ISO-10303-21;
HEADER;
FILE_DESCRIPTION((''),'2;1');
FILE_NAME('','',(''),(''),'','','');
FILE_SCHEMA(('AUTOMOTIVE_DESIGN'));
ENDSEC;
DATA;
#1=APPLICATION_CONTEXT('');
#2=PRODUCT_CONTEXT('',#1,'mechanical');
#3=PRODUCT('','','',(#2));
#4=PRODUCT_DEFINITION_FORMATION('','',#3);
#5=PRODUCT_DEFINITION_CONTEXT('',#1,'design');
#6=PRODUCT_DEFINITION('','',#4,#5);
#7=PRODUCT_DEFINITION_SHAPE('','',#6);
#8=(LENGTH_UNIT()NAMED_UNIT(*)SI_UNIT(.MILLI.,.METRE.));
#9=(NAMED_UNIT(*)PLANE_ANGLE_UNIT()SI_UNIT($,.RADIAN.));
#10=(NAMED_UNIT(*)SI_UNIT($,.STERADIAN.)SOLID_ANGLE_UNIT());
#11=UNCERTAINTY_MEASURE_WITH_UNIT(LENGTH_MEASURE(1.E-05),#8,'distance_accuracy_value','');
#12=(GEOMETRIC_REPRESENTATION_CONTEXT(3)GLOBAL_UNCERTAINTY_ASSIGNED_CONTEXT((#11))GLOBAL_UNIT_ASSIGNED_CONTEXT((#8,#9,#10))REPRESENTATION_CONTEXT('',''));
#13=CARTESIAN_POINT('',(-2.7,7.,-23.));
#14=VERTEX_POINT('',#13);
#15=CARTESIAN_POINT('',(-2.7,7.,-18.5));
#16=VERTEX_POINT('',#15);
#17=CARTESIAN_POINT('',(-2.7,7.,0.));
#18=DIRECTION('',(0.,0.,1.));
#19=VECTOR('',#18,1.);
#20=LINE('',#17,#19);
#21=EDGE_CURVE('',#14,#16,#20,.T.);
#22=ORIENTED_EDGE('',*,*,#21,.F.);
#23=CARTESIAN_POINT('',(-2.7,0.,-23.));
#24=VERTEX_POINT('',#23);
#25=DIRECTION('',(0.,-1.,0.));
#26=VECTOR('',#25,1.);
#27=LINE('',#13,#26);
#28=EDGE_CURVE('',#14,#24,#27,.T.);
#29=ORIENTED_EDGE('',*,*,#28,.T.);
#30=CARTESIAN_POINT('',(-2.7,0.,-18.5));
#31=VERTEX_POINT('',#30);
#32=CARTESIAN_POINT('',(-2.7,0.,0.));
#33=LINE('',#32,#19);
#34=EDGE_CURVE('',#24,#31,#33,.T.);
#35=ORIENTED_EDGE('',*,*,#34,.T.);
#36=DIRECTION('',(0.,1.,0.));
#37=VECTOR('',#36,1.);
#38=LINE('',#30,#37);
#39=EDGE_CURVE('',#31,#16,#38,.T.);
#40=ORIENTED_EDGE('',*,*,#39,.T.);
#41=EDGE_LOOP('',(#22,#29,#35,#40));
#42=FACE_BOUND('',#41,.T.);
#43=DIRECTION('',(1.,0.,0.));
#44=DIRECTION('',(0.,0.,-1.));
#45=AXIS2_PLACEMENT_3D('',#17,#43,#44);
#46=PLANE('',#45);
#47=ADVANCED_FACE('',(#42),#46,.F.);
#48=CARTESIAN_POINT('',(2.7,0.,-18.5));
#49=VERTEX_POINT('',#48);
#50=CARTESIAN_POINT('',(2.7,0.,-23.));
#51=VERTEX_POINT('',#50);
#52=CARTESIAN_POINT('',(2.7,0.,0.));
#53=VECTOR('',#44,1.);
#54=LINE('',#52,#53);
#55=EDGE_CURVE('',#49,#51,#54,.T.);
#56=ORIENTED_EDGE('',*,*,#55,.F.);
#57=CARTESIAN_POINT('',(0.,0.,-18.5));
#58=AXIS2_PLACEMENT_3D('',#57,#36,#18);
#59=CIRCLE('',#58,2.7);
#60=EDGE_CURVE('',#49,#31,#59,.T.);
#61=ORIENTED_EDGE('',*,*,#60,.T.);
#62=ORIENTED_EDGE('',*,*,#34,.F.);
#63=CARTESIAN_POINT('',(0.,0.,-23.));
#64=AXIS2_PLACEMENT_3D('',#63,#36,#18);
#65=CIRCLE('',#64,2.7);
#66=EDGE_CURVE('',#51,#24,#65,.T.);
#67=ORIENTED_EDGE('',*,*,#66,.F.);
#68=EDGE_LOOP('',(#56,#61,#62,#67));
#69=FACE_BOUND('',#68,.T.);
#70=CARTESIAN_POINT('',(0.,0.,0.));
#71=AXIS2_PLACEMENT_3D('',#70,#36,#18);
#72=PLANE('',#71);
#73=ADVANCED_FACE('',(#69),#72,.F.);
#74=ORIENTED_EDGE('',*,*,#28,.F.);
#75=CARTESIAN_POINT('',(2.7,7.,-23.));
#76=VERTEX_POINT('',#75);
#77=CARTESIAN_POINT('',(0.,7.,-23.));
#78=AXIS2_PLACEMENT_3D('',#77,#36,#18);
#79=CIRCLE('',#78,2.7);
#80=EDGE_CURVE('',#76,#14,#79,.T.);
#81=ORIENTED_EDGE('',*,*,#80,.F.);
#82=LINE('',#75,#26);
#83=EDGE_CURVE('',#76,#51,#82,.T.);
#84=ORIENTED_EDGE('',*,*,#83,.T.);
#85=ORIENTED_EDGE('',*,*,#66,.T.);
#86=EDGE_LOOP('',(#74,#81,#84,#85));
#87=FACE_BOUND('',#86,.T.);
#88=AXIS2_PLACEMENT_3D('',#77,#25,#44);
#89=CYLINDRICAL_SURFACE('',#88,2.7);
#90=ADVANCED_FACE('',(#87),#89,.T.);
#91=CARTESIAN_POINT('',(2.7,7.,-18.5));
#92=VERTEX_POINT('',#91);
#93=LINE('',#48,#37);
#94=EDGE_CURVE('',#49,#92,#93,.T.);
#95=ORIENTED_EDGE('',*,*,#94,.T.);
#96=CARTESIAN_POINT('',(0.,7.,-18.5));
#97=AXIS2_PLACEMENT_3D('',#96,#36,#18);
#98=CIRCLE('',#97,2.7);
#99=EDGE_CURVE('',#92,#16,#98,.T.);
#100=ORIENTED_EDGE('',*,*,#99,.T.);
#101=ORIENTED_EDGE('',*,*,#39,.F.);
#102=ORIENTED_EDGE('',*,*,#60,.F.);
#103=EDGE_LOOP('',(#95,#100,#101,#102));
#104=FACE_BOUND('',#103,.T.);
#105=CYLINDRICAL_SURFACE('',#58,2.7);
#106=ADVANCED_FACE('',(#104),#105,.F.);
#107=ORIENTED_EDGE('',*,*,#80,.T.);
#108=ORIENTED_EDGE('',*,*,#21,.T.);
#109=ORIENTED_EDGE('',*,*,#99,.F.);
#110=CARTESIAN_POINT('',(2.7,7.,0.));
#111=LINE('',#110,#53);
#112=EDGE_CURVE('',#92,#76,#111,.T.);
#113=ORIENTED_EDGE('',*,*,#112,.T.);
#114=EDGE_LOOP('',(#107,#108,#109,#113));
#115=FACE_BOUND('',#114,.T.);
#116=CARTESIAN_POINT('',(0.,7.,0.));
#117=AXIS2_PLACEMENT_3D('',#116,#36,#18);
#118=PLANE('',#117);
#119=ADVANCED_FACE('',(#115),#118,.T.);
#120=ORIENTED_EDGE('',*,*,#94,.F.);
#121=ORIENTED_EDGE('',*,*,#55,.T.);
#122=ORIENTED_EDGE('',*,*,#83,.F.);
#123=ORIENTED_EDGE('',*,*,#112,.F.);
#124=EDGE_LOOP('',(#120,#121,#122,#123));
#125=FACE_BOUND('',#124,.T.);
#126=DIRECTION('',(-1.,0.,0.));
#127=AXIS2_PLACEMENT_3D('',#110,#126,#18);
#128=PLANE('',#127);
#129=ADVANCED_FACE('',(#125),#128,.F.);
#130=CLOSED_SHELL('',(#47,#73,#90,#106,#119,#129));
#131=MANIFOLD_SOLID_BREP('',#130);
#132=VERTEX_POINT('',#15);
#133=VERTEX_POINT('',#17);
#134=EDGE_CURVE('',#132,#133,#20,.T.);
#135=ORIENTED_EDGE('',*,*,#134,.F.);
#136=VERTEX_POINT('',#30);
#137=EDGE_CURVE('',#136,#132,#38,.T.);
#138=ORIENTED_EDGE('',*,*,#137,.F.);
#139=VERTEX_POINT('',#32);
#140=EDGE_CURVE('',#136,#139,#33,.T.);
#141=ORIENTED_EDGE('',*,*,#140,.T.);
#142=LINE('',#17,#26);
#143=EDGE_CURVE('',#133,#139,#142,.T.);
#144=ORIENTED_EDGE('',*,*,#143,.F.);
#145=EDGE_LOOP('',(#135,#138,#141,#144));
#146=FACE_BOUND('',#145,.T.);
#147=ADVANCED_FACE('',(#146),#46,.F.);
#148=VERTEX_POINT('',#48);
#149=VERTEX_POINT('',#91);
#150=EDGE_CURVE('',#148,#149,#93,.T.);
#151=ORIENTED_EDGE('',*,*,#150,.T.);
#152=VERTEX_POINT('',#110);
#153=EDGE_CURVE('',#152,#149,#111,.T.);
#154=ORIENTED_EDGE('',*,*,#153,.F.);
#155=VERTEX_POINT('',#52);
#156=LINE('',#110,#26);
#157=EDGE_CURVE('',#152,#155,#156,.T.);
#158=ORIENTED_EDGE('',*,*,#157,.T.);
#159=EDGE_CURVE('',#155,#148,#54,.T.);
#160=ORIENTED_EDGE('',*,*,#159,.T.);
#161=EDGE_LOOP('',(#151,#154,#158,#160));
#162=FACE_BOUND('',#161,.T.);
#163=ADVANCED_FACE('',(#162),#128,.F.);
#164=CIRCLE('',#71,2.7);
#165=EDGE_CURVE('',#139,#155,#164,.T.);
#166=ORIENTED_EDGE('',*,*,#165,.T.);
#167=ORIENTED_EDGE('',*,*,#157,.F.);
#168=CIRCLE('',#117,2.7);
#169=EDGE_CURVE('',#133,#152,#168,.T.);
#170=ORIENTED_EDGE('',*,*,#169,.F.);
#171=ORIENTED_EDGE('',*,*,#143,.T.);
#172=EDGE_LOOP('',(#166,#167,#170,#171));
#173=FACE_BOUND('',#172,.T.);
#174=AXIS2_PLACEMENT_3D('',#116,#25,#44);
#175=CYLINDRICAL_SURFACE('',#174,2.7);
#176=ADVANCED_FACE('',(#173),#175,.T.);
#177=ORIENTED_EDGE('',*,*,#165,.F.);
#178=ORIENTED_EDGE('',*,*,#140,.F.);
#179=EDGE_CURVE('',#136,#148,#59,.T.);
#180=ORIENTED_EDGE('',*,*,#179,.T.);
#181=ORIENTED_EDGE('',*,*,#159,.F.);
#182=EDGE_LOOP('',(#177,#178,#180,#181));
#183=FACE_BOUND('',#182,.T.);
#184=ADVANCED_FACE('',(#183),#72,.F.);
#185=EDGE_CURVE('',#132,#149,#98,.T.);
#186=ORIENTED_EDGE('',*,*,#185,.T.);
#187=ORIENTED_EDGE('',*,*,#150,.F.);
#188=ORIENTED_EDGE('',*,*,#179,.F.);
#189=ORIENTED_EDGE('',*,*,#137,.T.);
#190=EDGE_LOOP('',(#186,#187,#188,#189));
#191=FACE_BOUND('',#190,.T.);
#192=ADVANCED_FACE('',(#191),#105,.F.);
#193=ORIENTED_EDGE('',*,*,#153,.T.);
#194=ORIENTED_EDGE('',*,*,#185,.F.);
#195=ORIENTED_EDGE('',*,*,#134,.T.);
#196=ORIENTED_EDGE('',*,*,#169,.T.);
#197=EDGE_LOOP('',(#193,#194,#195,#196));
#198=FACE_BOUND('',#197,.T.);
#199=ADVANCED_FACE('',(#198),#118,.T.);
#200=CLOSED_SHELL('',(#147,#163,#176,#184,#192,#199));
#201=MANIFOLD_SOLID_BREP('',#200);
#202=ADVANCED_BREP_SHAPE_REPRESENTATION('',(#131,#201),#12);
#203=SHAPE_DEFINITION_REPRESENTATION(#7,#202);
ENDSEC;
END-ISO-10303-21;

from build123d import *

# Parameters (mm, degrees)
BOSS_EXTRUDE1_DEPTH = 7
SKETCH2_R           = 2.7
CUT_EXTRUDE1_DEPTH  = 7


with BuildPart() as part:
    # Sketch1 → Boss-Extrude1 (new body)
    with BuildSketch(Plane(origin=(0, 0, 0), x_dir=(1, 0, 0), z_dir=(0, 1, 0))):
        with BuildLine():
            Line((-2.7, 0), (-2.7, 23))
            ThreePointArc((-2.7, 23), (0, 25.7), (2.7, 23))
            Line((2.7, 23), (2.7, 0))
            ThreePointArc((2.7, 0), (0, -2.7), (-2.7, 0))
        make_face()
    extrude(amount=BOSS_EXTRUDE1_DEPTH)

    # Sketch2 → Cut-Extrude1 (cut)
    with BuildSketch(Plane(origin=(0, 7, 0), x_dir=(1, 0, 0), z_dir=(0, 1, 0))):
        with Locations((0, 18.5)):
            Circle(SKETCH2_R)
    extrude(amount=-CUT_EXTRUDE1_DEPTH, mode=Mode.SUBTRACT)


solid = part.part
